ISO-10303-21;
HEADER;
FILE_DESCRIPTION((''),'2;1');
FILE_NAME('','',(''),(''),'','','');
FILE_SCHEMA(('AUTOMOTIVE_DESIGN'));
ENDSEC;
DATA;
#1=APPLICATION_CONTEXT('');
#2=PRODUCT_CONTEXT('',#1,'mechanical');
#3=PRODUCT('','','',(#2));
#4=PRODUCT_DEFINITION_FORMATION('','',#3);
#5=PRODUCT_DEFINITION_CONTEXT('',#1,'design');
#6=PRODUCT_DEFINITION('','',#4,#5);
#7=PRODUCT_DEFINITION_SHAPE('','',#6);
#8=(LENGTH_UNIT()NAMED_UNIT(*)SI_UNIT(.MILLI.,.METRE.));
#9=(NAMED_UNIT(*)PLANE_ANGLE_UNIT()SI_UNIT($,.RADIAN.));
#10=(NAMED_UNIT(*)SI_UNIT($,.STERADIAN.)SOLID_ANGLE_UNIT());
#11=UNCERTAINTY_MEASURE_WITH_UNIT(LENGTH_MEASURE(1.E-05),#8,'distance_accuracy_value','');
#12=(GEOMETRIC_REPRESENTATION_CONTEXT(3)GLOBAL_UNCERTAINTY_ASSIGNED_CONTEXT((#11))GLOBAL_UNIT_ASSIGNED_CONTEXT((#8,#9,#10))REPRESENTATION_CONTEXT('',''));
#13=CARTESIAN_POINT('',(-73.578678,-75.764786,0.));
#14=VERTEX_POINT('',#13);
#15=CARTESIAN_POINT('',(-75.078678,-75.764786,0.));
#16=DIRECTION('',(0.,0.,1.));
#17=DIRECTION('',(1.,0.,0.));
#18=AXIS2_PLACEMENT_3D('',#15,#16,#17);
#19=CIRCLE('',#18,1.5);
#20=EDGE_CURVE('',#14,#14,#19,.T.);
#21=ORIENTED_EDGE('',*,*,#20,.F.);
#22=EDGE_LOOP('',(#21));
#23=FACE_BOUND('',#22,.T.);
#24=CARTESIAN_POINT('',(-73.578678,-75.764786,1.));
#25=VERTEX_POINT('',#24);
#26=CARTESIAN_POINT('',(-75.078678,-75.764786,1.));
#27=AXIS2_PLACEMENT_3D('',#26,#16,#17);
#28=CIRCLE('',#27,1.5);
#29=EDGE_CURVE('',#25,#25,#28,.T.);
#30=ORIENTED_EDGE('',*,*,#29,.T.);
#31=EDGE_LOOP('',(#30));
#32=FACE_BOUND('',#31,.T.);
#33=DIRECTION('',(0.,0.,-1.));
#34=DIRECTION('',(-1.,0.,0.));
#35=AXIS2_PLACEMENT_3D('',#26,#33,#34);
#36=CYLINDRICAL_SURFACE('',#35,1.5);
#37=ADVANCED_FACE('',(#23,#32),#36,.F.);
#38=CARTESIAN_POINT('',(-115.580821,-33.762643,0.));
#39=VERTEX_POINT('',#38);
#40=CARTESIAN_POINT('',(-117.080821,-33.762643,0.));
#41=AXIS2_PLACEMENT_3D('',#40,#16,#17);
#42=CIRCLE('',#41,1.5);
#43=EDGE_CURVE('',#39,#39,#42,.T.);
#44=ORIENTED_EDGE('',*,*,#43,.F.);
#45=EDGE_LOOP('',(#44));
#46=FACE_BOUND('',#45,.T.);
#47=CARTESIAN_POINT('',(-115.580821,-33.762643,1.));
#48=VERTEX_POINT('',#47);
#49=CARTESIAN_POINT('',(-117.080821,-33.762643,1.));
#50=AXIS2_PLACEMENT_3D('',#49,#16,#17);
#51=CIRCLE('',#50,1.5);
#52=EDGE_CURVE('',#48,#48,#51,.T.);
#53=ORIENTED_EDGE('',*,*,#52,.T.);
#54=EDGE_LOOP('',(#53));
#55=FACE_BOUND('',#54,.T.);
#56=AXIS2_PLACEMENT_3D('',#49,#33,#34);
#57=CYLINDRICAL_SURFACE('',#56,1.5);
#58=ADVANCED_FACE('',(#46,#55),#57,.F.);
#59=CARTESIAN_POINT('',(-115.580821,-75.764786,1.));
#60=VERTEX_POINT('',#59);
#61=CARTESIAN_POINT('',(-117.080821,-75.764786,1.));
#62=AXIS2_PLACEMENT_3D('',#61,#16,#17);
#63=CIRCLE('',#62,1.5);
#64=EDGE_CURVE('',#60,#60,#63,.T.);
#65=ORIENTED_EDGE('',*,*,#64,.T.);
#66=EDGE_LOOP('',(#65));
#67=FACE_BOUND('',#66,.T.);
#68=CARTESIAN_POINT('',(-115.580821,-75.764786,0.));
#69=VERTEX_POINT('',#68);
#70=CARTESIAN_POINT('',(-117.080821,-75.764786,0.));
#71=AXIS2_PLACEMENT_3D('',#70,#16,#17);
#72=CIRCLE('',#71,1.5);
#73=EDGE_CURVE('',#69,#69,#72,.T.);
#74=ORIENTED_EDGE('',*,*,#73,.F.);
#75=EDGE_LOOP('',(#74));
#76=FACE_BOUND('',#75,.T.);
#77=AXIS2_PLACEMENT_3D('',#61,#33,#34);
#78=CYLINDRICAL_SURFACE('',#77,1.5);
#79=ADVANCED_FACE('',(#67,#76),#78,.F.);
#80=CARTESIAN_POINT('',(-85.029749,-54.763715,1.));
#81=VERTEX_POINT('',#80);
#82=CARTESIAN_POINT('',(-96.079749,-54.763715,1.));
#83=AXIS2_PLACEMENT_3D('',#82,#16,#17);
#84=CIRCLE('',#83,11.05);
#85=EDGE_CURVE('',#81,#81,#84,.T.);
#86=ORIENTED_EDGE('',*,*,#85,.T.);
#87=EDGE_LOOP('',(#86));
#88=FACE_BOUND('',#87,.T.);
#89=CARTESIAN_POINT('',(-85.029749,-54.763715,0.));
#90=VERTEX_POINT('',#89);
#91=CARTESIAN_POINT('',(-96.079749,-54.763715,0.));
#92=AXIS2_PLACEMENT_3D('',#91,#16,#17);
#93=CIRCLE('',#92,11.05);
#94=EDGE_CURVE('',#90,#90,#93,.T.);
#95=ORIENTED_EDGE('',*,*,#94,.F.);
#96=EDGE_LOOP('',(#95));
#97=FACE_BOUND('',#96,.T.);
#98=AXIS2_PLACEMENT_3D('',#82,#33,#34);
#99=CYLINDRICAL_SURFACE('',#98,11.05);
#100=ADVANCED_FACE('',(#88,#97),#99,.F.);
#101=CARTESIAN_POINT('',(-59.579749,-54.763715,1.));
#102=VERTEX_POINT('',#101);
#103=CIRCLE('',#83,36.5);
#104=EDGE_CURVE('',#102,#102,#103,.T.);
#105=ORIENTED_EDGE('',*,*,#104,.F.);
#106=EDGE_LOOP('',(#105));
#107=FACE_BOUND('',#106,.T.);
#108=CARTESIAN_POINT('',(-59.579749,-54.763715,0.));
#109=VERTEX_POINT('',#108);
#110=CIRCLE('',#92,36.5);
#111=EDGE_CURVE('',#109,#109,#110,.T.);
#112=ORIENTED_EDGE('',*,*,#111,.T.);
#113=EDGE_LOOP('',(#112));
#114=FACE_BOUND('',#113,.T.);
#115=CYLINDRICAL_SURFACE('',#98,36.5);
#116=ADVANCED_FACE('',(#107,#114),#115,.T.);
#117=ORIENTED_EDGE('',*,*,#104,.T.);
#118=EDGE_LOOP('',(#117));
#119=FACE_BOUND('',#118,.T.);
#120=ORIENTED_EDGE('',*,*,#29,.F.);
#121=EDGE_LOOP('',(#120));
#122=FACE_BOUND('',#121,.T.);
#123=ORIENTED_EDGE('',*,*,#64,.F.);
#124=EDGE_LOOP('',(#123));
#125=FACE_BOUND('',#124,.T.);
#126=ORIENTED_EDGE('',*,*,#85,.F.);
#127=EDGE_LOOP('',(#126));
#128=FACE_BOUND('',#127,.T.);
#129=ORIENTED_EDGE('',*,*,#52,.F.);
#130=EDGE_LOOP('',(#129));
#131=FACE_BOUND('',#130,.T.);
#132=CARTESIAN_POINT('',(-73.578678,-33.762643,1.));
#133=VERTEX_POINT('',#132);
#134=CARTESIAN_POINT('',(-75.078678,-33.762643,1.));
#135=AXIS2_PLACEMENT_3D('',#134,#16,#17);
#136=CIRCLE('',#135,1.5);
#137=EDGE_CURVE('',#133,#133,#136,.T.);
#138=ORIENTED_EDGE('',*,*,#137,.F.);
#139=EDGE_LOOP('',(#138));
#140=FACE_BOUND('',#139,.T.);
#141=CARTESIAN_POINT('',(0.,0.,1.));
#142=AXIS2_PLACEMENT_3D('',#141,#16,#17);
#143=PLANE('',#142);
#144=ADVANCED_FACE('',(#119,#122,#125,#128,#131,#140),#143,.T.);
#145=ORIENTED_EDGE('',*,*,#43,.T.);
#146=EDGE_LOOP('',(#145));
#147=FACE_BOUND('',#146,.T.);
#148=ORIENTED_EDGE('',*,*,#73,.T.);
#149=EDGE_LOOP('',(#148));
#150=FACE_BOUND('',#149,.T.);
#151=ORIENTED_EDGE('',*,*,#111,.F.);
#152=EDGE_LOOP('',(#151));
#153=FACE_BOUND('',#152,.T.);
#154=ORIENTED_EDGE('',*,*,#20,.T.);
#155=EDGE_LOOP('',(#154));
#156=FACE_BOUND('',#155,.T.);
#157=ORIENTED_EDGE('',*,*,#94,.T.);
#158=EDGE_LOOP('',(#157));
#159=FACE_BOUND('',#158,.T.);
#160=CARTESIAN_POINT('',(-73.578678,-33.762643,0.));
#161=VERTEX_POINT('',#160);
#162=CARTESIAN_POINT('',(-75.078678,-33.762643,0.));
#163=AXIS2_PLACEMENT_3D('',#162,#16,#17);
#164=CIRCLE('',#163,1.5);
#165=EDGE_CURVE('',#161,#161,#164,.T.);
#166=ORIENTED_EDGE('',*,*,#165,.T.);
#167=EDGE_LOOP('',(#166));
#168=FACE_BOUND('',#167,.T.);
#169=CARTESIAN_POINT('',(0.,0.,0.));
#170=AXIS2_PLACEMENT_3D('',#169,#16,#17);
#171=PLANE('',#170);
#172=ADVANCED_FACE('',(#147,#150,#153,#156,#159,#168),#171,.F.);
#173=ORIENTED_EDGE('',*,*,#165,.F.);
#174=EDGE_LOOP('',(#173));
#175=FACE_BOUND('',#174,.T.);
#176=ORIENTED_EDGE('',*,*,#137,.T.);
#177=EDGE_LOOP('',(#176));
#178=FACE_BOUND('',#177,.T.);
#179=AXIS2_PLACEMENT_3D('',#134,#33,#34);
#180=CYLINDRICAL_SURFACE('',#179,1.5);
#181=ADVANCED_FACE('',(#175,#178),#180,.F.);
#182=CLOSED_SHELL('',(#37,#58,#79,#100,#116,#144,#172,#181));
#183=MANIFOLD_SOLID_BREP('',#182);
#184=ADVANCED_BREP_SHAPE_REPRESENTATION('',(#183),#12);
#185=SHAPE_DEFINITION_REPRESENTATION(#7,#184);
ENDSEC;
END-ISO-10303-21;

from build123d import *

# Parameters (mm, degrees)
SKETCH_1_R      = 36.5
SKETCH_1_R_2    = 11.05
SKETCH_1_R_3    = 1.5
EXTRUDE_1_DEPTH = 1


with BuildPart() as part:
    # 草图1 → 凸台-拉伸1 (new body)
    with BuildSketch(Plane.XY):
        with Locations((-96.079749173, -54.763714641)):
            Circle(SKETCH_1_R)
        with Locations((-96.079749173, -54.763714641)):
            Circle(SKETCH_1_R_2, mode=Mode.SUBTRACT)
        with Locations((-117.080820574, -33.76264324)):
            Circle(SKETCH_1_R_3, mode=Mode.SUBTRACT)
        with Locations((-117.080820574, -75.764786042)):
            Circle(SKETCH_1_R_3, mode=Mode.SUBTRACT)
        with Locations((-75.078677772, -75.764786042)):
            Circle(SKETCH_1_R_3, mode=Mode.SUBTRACT)
        with Locations((-75.078677772, -33.76264324)):
            Circle(SKETCH_1_R_3, mode=Mode.SUBTRACT)
    extrude(amount=EXTRUDE_1_DEPTH)


solid = part.part
